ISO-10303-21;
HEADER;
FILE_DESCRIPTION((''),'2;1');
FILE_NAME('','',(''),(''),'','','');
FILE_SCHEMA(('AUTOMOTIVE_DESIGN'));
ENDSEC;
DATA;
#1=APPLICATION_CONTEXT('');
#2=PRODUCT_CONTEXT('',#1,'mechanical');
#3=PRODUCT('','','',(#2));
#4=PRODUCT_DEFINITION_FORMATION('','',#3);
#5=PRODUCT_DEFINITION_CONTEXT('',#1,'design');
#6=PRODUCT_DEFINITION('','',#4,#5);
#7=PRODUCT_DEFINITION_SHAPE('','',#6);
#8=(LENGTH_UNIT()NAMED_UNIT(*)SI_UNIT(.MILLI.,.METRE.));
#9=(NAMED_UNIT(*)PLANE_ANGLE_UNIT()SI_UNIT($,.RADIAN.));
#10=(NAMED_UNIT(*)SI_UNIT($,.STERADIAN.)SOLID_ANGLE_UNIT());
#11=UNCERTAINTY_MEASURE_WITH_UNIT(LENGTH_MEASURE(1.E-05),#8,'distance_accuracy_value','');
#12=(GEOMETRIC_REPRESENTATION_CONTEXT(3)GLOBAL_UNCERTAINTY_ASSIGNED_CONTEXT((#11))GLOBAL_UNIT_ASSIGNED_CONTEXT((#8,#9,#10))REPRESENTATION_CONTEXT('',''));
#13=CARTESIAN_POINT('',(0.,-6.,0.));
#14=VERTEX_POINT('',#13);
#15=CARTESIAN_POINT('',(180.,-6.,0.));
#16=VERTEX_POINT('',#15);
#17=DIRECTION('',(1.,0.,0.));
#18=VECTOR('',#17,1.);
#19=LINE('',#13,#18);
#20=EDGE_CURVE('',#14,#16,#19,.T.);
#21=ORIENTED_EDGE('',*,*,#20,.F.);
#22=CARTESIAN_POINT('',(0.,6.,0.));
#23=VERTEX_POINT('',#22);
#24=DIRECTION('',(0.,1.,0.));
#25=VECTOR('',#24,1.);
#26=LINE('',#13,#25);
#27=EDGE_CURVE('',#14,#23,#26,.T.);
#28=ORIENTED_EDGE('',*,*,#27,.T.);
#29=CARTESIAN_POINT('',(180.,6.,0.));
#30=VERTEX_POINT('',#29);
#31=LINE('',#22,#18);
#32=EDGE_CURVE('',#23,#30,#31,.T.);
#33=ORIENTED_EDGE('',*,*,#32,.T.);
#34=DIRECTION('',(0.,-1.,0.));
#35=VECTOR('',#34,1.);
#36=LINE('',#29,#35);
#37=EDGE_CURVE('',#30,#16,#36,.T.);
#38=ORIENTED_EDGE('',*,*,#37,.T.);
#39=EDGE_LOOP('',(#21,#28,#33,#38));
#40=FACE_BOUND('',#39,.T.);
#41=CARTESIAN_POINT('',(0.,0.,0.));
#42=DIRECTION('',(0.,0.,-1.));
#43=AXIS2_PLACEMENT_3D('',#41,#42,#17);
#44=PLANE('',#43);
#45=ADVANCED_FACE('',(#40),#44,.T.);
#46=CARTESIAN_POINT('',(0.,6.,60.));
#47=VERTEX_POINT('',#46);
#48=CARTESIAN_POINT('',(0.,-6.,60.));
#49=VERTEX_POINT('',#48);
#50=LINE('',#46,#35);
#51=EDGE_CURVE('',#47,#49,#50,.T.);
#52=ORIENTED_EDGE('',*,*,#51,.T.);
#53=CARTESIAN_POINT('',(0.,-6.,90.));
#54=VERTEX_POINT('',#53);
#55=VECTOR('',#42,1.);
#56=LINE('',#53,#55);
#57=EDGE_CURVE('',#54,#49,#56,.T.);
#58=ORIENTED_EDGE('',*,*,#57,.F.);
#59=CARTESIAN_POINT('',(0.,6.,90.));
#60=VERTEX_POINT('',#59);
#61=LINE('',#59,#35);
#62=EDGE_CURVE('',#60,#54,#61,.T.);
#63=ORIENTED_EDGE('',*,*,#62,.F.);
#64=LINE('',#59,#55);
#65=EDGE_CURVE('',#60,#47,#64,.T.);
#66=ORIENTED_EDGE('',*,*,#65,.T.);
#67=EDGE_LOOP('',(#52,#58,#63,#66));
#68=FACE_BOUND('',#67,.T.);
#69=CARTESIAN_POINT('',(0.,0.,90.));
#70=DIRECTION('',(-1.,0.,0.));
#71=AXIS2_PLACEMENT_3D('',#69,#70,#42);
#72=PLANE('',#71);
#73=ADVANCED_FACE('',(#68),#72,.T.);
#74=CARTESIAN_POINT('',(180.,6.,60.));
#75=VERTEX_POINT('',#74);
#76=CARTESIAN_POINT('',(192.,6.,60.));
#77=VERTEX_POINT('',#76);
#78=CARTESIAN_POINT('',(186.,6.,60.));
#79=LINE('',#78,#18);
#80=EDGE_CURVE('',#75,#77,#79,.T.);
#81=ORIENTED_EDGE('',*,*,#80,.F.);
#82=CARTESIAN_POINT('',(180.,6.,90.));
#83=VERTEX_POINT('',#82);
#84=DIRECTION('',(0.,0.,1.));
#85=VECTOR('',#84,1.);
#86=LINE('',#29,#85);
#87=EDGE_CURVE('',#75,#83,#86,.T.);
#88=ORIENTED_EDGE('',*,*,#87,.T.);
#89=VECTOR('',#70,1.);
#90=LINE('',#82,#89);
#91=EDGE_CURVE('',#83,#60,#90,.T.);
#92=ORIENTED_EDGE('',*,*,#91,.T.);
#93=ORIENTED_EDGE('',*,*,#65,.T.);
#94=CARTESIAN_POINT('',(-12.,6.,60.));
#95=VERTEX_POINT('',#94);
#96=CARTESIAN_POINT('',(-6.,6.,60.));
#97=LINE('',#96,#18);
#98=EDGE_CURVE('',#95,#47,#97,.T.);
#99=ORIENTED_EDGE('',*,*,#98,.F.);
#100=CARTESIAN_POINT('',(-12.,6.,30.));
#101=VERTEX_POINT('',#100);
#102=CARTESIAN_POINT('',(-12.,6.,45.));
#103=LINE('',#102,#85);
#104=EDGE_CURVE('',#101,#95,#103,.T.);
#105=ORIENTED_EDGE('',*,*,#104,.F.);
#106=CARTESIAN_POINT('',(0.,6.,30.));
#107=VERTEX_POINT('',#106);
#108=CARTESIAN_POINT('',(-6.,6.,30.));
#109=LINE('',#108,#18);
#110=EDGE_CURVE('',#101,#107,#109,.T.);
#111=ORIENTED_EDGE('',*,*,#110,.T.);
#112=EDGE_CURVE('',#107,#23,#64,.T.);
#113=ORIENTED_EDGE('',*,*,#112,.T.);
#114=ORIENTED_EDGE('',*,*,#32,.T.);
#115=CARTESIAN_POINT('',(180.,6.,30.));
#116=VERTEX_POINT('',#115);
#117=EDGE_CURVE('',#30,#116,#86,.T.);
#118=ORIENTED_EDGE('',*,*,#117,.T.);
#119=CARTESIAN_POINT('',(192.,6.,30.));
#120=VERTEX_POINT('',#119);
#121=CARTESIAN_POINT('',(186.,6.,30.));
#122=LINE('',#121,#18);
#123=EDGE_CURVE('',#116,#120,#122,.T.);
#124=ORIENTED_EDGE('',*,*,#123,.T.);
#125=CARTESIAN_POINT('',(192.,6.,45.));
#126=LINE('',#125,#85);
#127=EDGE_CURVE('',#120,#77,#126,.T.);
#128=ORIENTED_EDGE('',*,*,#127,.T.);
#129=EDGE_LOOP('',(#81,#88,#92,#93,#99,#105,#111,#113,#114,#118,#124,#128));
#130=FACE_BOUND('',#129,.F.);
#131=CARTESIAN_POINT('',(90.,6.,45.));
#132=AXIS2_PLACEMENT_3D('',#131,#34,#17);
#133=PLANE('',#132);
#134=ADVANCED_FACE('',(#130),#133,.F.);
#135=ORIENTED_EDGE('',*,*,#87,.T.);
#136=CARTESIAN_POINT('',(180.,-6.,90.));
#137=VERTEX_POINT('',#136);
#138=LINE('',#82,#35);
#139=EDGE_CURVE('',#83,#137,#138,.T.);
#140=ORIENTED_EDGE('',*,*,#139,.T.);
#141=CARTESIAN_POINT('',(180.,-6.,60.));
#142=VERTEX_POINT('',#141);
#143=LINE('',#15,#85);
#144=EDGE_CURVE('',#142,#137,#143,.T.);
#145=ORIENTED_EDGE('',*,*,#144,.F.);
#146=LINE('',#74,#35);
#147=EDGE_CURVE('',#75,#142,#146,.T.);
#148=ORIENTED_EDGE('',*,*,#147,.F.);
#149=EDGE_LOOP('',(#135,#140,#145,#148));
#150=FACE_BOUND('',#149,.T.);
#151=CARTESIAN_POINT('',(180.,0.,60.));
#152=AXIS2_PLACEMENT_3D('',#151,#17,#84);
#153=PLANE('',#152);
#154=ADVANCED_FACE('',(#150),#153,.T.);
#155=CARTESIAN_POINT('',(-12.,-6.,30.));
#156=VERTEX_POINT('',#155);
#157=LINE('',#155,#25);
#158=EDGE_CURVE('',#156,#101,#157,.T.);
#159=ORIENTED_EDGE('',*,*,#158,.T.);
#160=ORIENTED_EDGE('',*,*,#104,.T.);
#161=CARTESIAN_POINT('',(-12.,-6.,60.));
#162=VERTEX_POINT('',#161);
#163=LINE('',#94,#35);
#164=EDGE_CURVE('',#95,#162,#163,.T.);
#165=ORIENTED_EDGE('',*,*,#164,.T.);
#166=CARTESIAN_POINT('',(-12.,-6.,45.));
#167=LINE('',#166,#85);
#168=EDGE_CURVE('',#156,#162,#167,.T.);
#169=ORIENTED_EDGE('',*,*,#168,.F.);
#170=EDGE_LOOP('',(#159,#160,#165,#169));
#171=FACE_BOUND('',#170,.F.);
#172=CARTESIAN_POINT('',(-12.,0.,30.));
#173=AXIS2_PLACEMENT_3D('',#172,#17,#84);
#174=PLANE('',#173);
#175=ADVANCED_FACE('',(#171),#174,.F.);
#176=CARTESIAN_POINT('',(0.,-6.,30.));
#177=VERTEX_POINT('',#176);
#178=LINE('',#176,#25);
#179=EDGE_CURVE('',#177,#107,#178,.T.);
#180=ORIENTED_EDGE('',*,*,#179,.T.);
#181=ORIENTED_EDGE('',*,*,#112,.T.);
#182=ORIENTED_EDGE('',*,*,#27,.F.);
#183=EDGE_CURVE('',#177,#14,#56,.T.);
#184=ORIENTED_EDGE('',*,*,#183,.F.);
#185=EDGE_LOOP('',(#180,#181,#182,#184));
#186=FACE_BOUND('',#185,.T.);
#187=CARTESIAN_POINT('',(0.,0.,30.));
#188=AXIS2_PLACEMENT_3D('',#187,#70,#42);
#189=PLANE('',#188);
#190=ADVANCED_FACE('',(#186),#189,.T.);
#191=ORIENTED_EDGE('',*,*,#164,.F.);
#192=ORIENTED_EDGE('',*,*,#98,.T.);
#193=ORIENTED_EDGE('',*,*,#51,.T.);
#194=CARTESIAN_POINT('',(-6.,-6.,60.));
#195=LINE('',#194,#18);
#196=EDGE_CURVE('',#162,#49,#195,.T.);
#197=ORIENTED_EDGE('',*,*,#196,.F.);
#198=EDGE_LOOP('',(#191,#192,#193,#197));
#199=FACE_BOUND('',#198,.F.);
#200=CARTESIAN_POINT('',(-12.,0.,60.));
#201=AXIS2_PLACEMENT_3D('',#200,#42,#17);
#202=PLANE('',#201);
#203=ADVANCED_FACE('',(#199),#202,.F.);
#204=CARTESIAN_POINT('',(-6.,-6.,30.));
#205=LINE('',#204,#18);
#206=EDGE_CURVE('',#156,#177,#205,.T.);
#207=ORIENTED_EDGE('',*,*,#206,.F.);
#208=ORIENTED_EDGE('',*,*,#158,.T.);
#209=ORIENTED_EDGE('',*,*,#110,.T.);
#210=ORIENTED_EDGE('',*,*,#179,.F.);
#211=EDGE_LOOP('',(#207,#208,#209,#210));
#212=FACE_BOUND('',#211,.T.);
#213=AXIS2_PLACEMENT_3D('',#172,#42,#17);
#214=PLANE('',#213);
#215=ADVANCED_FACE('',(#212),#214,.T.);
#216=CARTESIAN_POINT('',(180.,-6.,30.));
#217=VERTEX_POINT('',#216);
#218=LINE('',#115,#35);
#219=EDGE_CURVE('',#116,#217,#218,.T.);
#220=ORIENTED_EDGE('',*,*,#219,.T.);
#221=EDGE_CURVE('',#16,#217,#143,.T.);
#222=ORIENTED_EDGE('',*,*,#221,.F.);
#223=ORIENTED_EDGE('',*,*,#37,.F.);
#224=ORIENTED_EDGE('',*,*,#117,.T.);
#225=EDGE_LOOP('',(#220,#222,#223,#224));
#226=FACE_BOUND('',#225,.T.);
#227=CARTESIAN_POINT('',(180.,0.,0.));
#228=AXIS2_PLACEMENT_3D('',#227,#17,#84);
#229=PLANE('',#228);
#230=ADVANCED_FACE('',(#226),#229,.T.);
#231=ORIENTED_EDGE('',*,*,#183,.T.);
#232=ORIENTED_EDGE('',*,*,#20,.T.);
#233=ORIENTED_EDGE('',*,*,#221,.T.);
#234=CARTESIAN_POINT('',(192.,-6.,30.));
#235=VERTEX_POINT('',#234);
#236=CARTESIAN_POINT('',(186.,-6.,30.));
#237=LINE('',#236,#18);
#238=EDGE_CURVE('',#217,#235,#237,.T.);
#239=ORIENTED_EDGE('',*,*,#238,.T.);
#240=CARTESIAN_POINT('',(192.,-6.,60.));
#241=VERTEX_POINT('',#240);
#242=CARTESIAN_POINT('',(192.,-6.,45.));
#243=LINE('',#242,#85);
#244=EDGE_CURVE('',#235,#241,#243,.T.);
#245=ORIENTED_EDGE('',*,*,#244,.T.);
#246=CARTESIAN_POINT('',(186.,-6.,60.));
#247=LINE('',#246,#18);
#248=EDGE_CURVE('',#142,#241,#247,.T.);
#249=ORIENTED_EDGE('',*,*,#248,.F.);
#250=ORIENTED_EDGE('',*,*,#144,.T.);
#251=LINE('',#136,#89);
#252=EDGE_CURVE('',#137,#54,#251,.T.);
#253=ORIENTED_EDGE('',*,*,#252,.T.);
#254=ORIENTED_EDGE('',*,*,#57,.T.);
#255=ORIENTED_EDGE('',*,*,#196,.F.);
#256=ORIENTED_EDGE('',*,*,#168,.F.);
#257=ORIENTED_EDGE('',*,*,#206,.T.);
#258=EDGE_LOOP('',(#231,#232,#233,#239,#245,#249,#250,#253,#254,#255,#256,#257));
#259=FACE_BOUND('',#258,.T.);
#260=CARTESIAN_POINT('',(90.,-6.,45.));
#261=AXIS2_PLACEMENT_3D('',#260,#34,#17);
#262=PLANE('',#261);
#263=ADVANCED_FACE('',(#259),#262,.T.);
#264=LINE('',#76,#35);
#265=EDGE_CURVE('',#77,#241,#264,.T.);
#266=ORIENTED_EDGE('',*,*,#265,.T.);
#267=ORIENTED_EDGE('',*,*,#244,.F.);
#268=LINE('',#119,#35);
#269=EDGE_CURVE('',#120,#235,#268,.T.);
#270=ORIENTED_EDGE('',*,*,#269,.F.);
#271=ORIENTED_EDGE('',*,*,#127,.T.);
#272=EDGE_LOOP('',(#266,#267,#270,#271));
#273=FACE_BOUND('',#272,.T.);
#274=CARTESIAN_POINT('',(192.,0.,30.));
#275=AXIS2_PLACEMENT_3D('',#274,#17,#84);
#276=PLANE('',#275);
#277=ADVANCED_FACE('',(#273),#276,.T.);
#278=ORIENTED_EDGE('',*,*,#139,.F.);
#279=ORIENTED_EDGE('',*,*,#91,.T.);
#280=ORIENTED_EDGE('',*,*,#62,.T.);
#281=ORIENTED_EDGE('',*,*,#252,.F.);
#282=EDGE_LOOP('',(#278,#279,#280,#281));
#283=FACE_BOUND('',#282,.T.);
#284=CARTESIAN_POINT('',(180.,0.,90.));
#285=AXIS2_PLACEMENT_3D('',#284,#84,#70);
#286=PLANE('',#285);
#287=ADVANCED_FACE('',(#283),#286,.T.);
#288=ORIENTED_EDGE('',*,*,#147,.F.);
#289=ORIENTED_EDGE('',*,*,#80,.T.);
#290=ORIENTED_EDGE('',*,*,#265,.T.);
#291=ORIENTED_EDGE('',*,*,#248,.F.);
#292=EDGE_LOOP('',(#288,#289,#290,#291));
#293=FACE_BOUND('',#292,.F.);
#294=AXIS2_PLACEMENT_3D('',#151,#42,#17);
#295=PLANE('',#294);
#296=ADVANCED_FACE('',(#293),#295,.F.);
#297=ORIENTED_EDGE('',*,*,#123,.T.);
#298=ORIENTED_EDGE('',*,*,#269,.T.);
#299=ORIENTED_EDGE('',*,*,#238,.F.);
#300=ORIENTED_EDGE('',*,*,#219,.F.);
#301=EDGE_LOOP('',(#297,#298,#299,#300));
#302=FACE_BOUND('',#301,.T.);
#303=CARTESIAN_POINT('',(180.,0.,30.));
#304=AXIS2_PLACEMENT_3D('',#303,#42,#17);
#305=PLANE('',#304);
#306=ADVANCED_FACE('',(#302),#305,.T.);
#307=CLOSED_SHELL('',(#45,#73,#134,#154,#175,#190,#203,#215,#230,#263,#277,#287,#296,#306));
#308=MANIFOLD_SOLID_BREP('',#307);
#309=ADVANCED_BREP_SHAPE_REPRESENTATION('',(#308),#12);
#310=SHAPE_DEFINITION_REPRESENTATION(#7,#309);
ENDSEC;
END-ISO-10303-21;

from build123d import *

# Parameters (mm, degrees)
F0_W     = 12
F0_H     = 30
F1_DEPTH = 6


with BuildPart() as f1:
    # F0 (on Front) → F1 (new body, symmetric)
    with BuildSketch(Plane.XZ):
        Polygon((0, 30), (0, 0), (90, 0), (180, 0), (180, 30), (180, 60), (180, 90), (90, 90), (0, 90), (0, 60), align=None)
        with Locations((-6, 45)):
            Rectangle(F0_W, F0_H)
        with Locations((186, 45)):
            Rectangle(F0_W, F0_H)
    extrude(amount=F1_DEPTH, both=True)


solid = f1.part
